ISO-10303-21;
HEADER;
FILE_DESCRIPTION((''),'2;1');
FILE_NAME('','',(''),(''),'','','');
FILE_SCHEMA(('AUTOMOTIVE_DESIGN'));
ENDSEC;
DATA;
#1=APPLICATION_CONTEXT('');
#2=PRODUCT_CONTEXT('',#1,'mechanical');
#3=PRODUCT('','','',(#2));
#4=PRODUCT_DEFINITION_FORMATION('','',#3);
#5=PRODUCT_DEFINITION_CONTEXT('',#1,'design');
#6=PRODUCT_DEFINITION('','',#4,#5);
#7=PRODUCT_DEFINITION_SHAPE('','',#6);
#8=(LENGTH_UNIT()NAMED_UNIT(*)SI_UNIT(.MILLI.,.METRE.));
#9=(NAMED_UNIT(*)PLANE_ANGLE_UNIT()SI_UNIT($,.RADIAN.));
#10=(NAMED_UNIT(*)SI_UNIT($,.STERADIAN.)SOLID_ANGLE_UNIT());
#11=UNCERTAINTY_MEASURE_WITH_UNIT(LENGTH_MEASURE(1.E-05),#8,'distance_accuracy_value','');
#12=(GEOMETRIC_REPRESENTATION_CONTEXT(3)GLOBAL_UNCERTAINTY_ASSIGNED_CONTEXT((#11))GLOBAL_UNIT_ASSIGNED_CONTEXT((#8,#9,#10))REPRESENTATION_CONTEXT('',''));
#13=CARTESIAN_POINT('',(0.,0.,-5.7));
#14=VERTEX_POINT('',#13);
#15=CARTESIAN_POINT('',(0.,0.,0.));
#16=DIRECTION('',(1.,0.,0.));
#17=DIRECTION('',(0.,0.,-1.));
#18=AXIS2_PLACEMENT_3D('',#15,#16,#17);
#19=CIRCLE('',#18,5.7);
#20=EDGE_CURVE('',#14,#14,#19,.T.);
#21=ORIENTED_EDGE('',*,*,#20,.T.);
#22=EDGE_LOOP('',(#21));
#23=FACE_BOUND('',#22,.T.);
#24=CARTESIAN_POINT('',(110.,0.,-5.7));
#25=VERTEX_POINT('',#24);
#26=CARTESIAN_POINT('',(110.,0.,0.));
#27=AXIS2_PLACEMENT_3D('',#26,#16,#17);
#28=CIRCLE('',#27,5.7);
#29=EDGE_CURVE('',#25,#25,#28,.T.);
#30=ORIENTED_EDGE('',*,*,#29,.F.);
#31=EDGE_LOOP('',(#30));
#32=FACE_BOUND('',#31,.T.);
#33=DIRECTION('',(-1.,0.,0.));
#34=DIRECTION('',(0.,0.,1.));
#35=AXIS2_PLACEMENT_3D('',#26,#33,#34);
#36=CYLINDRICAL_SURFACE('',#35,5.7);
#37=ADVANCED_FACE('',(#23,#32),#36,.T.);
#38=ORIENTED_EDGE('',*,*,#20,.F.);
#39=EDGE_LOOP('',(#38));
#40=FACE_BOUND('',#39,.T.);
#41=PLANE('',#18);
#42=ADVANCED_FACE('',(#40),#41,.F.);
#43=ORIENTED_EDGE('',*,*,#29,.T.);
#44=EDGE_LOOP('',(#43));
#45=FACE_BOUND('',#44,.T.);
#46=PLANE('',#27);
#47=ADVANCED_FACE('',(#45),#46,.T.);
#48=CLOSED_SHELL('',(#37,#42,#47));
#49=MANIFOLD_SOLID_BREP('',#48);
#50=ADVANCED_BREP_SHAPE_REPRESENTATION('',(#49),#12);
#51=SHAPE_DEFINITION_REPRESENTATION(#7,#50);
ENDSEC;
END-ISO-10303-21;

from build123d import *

# Parameters (mm, degrees)
SKETCH_1_R      = 5.7
EXTRUDE_1_DEPTH = 110


with BuildPart() as part:
    # 草图1 → 凸台-拉伸1 (new body)
    with BuildSketch(Plane(origin=(0, 0, 0), x_dir=(0, 0, -1), z_dir=(1, 0, 0))):
        Circle(SKETCH_1_R)
    extrude(amount=EXTRUDE_1_DEPTH)


solid = part.part
